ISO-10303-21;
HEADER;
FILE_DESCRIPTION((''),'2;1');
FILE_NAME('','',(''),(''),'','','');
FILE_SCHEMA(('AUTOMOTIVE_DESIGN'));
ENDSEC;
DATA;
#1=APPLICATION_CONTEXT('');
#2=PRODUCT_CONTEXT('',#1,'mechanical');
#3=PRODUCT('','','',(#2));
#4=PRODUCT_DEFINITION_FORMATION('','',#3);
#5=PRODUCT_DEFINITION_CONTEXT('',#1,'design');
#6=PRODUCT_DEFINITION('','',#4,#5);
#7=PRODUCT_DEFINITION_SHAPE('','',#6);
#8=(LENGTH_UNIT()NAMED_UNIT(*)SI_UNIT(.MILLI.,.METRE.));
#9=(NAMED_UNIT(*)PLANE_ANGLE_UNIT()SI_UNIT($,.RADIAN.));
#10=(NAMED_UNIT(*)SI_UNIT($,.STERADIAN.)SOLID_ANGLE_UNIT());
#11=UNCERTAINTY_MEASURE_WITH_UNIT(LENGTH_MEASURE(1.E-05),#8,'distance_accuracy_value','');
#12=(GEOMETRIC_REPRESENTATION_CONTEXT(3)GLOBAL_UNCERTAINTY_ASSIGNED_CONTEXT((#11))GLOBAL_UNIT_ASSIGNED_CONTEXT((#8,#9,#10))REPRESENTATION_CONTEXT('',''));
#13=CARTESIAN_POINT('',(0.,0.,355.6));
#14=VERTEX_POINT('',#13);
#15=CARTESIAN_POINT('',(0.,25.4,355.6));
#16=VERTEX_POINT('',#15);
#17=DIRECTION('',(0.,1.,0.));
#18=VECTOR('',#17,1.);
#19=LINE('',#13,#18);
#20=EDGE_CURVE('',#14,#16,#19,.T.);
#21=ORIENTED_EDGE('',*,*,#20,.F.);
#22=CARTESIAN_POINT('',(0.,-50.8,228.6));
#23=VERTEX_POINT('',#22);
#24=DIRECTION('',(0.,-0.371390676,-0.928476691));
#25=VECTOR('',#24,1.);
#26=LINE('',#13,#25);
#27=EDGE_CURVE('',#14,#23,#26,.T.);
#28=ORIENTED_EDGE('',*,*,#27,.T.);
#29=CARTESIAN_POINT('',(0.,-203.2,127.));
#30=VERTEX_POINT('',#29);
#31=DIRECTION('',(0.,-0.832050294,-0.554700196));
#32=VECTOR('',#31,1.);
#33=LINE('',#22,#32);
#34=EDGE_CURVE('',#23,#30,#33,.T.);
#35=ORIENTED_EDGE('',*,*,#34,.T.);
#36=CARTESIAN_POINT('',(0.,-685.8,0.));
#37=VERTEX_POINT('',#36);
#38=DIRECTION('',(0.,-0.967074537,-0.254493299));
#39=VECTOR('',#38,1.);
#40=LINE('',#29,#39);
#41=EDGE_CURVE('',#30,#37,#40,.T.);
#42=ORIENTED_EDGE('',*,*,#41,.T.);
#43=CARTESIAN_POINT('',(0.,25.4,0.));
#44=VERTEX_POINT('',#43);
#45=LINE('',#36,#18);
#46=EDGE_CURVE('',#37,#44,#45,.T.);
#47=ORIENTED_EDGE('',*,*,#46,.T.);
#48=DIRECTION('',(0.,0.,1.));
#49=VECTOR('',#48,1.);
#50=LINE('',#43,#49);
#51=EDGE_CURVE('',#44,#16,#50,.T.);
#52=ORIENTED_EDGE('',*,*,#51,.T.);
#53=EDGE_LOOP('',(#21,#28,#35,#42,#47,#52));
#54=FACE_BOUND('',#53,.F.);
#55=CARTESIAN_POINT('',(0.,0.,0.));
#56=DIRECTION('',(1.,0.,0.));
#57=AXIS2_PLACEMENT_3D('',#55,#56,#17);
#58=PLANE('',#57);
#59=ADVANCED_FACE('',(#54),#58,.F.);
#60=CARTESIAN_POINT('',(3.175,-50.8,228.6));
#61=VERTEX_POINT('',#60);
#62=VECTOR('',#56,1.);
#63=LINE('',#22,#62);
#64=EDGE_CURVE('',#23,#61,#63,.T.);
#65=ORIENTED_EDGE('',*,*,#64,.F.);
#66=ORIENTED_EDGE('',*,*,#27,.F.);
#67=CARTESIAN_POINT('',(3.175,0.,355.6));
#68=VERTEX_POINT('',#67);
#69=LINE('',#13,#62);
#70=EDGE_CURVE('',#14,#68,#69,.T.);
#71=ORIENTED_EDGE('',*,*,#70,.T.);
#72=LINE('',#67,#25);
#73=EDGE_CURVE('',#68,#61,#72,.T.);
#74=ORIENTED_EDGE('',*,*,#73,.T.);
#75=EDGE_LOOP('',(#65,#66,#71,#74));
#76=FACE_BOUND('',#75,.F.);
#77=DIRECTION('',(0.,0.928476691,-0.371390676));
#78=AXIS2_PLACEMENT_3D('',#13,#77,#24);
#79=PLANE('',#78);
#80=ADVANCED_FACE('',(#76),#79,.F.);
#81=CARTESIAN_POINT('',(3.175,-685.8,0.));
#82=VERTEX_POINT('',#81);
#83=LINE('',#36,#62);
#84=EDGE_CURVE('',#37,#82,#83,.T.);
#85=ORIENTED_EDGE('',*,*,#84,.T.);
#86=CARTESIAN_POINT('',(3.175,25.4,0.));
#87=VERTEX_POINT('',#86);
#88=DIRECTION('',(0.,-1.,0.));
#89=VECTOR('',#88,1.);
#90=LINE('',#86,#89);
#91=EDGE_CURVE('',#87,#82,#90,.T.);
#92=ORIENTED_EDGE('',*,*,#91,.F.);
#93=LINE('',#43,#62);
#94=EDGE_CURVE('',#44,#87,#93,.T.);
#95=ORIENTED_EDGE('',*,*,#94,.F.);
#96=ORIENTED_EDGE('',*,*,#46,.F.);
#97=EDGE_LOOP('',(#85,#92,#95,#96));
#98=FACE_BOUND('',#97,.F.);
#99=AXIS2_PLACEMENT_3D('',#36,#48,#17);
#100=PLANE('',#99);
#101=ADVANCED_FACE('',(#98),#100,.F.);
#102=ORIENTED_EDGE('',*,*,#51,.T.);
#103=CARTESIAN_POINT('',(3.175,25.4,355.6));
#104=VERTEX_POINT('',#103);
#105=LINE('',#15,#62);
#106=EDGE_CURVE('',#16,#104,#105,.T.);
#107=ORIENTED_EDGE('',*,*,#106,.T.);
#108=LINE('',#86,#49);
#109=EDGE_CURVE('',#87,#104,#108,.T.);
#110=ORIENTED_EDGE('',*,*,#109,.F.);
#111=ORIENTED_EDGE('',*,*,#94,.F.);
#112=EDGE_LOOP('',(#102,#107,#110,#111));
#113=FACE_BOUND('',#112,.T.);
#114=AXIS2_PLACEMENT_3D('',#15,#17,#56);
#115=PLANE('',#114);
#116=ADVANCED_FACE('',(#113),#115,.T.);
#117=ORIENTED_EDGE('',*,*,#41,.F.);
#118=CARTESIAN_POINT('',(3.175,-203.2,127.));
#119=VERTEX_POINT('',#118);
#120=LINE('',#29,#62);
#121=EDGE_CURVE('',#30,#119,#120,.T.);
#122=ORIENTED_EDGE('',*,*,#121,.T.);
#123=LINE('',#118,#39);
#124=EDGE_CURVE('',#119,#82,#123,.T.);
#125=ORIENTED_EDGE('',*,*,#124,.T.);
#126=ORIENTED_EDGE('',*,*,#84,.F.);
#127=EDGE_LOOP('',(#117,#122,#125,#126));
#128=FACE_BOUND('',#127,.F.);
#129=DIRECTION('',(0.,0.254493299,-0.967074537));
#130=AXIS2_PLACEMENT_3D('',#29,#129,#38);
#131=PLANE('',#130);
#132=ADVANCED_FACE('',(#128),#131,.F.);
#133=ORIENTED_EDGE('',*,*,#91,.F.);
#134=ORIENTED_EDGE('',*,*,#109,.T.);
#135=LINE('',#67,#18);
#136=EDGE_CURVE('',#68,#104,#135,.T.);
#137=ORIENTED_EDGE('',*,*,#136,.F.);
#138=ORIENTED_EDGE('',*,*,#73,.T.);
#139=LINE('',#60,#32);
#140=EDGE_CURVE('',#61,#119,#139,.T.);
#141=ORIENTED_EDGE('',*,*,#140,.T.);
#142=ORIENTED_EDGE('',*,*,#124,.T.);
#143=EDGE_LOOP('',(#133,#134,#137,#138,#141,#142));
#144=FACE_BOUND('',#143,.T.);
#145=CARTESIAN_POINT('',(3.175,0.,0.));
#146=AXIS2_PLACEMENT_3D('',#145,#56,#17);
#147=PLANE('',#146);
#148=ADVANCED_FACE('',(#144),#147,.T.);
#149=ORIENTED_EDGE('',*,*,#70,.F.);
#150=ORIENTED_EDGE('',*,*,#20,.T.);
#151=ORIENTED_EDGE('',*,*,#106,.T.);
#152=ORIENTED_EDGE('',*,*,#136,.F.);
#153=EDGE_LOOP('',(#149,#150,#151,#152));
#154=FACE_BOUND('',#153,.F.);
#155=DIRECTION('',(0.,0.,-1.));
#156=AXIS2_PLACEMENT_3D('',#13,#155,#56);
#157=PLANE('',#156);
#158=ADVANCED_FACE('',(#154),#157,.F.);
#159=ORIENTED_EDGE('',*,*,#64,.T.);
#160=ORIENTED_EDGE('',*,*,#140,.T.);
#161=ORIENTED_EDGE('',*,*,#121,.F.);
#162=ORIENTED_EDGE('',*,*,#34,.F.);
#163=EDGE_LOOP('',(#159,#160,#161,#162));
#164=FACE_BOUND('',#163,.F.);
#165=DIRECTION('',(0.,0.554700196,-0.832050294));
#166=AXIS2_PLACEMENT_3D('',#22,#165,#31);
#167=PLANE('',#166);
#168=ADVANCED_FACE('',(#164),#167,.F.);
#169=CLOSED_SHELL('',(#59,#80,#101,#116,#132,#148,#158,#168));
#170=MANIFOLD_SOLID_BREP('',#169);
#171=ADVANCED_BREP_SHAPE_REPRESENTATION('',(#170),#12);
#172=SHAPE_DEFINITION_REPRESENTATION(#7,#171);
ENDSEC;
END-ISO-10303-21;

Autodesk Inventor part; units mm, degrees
ref_plane "YZ Plane" through (0, 0, 0) normal (1, 0, 0) x (0, 1, 0)
ref_plane "XZ Plane" through (0, 0, 0) normal (0, 1, 0) x (-1, 0, 0)
ref_plane "XY Plane" through (0, 0, 0) normal (0, 0, 1) x (1, 0, 0)
sketch "Sketch1" plane through (0, 0, 0) normal (1, 0, 0) x (0, 1, 0)
  line L0 (0, 0) -> (0, 355.6)
  line L1 (0, 355.6) -> (-50.8, 228.6)
  line L2 (-50.8, 228.6) -> (-203.2, 127)
  line L3 (-203.2, 127) -> (-685.8, 0)
  line L4 (-685.8, 0) -> (0, 0)
  dimension "d0" = 355.6
  dimension "d1" = 127
  dimension "d2" = 50.8
  dimension "d3" = 203.2
  dimension "d4" = 127
  dimension "d5" = 685.8
extrude "Extrusion1" add sketch "Sketch1" along normal blind 3.175
sketch "Sketch2" plane through (0, 0, 355.6) normal (0, 1, 0) x (1, 0, 0)
  line L0 (0, 355.6) -> (0, 0) projected
  line L1 (0, 0) -> (3.175, 0) projected
  line L2 (3.175, 355.6) -> (3.175, 0) projected
  line L3 (0, 355.6) -> (3.175, 355.6) projected
extrude "Extrusion2" add sketch "Sketch2" along normal blind 25.4
properties part number "15102898-16-P-0102" material "ABS Plastic"
